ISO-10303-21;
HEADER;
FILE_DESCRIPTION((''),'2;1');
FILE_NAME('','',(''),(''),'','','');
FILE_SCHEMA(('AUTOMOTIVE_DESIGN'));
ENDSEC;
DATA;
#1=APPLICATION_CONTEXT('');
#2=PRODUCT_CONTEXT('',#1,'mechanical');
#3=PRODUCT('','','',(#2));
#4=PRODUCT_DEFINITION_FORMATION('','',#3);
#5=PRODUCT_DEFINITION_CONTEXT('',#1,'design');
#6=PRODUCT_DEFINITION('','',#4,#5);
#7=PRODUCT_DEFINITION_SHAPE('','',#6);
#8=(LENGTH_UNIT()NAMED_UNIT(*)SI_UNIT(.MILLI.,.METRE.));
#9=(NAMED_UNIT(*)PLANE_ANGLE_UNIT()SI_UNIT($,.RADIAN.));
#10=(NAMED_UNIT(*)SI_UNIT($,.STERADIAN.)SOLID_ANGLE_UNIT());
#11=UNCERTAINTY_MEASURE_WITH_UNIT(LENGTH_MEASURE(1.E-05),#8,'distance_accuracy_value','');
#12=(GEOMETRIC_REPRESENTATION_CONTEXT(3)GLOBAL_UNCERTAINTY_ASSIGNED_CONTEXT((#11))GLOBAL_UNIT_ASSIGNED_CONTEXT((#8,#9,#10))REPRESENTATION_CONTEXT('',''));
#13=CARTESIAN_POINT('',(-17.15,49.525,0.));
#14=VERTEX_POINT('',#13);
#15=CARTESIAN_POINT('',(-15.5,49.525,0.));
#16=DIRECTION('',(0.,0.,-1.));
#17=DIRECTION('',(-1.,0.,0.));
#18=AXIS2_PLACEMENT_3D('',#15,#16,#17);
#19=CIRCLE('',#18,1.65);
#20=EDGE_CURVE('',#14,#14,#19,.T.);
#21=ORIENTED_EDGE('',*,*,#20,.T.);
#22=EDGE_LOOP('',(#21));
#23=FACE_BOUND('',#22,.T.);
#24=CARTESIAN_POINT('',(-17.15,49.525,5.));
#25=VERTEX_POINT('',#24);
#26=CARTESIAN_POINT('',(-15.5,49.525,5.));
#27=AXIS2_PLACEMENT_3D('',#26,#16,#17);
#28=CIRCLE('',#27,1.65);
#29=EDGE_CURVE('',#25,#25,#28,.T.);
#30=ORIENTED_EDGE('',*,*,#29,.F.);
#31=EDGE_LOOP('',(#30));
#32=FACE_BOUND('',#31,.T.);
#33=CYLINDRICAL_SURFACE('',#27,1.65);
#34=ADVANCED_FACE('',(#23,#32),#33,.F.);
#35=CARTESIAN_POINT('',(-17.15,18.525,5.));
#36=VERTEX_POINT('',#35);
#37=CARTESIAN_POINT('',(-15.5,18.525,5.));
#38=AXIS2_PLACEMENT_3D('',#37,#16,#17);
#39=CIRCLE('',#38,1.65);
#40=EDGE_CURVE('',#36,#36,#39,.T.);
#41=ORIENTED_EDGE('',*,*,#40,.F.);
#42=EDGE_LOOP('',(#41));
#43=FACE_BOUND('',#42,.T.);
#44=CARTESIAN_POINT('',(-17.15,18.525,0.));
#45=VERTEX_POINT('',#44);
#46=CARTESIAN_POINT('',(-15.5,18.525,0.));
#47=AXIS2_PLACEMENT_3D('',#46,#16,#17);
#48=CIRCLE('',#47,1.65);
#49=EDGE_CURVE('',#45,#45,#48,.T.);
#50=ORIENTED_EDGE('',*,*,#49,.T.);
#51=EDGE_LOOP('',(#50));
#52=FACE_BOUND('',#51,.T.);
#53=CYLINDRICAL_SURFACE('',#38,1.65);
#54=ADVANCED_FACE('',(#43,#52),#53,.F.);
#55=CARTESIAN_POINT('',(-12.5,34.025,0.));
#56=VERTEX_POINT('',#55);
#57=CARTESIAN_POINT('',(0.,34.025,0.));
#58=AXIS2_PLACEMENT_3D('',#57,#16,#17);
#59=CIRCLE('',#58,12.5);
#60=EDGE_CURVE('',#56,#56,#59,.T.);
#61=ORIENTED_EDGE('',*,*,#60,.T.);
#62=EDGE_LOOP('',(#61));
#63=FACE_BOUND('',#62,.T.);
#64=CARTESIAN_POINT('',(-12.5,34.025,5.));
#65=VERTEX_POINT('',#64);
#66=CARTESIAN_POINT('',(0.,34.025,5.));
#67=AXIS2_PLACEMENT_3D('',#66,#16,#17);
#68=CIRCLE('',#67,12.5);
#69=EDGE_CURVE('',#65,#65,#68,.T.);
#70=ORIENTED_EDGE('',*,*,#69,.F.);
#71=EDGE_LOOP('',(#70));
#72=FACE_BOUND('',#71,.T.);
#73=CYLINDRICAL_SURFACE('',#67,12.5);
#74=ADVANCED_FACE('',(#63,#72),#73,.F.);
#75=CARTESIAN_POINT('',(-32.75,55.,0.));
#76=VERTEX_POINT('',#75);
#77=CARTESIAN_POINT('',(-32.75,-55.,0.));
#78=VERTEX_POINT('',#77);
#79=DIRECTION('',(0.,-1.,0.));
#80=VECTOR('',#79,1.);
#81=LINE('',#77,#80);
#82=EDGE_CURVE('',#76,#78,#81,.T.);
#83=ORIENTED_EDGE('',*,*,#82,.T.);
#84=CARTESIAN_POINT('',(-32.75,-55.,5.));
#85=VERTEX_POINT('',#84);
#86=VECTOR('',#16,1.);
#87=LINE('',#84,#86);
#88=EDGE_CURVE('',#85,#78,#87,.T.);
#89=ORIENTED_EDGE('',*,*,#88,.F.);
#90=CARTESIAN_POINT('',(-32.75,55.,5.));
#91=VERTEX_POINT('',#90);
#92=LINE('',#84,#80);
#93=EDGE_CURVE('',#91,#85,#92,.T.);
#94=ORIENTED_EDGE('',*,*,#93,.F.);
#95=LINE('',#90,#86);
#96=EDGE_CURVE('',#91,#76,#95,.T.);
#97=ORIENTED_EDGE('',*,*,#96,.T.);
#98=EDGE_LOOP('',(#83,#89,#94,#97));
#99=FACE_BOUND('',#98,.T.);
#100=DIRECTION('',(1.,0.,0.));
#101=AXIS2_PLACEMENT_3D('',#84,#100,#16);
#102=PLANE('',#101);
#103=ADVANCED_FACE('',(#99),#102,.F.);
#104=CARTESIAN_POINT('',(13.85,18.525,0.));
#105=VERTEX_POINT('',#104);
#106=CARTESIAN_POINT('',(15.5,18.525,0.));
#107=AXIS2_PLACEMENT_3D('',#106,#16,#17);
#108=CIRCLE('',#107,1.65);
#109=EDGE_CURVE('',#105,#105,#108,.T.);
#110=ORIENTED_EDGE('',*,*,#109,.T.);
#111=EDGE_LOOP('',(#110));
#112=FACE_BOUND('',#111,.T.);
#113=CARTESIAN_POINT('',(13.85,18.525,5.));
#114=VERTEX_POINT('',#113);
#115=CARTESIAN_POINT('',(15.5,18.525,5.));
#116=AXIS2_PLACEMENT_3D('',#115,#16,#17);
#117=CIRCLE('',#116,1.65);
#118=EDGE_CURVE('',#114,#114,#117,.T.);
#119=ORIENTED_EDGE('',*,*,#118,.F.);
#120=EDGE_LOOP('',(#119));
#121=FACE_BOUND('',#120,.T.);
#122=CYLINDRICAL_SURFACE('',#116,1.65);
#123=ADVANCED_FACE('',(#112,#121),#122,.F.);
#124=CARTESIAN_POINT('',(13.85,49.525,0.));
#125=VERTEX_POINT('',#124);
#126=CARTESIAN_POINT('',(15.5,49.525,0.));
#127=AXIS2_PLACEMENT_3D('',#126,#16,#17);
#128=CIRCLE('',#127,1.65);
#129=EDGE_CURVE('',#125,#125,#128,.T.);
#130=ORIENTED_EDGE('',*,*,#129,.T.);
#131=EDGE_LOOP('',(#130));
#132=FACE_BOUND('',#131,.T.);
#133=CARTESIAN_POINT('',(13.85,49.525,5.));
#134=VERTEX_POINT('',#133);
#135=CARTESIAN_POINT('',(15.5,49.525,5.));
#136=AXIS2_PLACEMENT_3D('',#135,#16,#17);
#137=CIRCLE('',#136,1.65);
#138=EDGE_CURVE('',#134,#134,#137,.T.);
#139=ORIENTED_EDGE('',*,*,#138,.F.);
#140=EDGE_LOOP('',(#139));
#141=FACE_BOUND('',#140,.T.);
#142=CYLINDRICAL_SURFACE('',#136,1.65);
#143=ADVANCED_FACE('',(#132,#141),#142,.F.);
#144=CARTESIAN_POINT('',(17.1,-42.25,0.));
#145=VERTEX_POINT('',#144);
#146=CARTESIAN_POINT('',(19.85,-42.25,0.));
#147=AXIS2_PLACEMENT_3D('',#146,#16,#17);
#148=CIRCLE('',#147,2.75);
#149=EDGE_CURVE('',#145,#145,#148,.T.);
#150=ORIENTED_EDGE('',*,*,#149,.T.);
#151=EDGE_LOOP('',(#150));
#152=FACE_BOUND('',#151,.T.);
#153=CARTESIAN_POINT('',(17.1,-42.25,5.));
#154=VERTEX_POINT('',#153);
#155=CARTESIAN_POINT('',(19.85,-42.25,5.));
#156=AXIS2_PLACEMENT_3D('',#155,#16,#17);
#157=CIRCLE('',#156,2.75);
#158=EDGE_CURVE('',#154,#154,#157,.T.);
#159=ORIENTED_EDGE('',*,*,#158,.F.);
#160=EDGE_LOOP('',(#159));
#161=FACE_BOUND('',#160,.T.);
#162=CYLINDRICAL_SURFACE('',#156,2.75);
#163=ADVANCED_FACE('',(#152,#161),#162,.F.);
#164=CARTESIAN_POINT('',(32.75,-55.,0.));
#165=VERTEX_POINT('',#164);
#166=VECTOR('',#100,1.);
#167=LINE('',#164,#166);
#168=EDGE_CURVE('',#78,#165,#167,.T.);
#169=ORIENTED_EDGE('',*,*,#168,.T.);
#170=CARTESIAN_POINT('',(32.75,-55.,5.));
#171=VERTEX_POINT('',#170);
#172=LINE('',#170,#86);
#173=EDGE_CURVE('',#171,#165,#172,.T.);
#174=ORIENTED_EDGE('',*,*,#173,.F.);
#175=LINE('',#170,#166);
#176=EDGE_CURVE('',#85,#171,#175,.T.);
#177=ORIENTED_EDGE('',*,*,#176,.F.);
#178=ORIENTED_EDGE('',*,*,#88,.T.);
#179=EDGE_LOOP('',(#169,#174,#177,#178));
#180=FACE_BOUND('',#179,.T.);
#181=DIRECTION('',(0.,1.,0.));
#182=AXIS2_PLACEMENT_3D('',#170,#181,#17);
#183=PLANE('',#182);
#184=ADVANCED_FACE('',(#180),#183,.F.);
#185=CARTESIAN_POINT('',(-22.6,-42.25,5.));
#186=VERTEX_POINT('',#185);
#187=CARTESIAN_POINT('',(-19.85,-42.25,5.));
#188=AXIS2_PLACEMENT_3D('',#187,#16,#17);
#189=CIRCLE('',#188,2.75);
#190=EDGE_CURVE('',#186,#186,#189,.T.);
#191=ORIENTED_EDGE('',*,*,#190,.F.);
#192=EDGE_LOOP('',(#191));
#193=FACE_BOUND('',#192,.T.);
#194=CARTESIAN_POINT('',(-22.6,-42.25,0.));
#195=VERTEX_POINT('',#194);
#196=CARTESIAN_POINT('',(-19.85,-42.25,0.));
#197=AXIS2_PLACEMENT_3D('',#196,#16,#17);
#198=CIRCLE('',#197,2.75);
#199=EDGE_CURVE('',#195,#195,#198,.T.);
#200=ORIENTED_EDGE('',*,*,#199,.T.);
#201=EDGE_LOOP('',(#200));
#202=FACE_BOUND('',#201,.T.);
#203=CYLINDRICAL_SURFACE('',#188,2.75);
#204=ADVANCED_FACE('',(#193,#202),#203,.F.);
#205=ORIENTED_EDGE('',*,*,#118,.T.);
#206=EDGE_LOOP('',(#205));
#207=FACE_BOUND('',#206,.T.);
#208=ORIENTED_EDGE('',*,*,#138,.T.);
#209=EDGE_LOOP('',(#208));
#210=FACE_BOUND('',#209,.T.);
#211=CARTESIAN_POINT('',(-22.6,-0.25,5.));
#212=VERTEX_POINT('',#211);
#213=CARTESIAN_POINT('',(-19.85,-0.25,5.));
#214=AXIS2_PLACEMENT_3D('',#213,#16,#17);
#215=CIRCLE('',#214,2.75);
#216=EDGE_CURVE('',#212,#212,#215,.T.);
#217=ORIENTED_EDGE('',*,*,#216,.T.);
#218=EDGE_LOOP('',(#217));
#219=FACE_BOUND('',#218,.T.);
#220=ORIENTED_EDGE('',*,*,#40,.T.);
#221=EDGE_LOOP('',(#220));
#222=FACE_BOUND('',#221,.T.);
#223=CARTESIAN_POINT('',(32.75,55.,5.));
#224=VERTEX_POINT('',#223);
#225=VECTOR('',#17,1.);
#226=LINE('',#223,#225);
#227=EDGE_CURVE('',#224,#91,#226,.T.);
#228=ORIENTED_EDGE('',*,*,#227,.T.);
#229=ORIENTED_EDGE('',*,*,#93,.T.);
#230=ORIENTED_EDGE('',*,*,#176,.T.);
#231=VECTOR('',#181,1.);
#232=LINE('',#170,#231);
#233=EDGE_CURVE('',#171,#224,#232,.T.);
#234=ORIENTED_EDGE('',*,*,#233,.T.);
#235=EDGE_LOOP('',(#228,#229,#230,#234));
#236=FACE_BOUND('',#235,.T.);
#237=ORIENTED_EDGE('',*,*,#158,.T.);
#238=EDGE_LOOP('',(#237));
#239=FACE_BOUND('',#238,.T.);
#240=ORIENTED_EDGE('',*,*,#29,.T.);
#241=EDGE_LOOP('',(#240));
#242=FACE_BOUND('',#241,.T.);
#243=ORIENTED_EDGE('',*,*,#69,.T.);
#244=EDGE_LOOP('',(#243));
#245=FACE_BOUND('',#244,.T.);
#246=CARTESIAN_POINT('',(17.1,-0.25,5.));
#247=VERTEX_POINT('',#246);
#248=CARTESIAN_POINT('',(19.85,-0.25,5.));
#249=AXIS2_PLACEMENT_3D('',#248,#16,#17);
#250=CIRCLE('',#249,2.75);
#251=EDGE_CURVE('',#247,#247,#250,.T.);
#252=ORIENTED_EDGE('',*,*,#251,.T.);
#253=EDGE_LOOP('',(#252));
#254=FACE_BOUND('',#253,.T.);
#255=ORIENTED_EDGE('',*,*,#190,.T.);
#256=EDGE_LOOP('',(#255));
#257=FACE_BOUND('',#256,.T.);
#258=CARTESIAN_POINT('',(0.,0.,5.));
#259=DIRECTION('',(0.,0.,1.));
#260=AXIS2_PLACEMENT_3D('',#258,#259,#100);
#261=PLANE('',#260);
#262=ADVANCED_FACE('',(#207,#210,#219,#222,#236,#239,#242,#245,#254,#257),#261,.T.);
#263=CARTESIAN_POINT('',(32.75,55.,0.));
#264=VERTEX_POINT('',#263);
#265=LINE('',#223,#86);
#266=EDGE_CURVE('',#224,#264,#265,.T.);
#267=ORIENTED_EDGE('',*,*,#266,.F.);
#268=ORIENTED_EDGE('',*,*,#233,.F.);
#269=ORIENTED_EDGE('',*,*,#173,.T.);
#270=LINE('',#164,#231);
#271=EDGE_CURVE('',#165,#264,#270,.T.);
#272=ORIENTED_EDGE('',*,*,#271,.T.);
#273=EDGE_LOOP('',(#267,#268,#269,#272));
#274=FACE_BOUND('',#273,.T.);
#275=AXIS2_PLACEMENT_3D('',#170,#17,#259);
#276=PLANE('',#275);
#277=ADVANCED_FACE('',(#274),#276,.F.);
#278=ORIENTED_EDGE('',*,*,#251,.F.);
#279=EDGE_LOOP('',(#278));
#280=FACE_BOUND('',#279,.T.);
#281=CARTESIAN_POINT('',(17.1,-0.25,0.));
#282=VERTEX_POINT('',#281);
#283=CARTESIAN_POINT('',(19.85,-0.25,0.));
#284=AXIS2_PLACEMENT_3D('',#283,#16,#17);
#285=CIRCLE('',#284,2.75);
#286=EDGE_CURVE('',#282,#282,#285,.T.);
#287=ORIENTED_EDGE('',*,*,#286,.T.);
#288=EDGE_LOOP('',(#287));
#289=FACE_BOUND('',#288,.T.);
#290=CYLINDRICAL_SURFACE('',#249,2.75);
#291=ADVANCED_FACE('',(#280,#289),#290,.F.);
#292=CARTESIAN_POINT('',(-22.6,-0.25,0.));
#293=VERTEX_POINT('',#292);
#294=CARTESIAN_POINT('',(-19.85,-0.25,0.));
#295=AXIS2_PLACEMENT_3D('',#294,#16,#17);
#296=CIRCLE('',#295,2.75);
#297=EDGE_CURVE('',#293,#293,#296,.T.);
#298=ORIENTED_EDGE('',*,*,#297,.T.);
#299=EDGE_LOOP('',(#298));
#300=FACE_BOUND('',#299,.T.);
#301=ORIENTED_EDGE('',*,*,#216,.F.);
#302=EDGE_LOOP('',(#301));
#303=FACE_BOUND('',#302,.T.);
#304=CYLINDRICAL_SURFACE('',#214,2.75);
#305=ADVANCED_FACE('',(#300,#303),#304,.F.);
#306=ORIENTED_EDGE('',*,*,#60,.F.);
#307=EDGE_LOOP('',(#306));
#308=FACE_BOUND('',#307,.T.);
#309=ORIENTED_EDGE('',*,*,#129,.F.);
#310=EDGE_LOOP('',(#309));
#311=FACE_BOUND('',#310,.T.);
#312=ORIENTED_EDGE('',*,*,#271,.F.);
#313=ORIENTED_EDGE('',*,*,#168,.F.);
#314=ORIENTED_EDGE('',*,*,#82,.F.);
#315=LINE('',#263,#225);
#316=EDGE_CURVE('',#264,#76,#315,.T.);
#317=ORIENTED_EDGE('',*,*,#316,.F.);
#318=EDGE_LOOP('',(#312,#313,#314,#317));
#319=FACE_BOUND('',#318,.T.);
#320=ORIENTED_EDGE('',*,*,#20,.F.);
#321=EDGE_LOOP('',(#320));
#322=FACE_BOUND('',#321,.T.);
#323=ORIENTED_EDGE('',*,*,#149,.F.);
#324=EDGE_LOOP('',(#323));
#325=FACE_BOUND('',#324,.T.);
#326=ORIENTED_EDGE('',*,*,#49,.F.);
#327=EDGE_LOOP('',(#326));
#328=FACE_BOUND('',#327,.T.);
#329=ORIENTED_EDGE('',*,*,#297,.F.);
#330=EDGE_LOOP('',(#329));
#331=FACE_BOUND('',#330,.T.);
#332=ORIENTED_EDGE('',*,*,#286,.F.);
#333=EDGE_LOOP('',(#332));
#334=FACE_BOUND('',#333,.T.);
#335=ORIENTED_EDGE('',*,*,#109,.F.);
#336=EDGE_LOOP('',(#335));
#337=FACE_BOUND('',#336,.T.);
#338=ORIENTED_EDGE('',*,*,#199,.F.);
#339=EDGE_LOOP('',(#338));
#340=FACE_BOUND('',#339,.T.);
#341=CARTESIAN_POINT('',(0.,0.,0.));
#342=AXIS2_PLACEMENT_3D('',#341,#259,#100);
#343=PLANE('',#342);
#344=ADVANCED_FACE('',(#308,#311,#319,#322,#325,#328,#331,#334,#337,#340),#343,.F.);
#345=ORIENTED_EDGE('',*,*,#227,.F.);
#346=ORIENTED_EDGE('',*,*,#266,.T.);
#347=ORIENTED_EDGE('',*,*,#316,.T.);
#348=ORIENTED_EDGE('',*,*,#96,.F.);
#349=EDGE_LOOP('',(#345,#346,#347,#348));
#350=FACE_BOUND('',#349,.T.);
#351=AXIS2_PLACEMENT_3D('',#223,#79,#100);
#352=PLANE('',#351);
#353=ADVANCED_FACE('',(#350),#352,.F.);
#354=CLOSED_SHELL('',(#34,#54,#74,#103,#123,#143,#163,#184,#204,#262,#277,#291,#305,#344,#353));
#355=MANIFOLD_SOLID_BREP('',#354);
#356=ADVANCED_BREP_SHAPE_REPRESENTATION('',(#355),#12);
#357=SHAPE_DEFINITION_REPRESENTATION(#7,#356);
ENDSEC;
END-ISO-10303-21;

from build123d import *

# Parameters (mm, degrees)
SKETCH1_W           = 65.5
SKETCH1_H           = 110
BOSS_EXTRUDE1_DEPTH = 5
SKETCH2_R           = 12.5
CUT_EXTRUDE1_DEPTH  = 65.207184177
SKETCH3_R           = 1.65
CUT_EXTRUDE2_DEPTH  = 65.207184177
SKETCH4_R           = 2.75
CUT_EXTRUDE3_DEPTH  = 65.207184177


with BuildPart() as part:
    # Sketch1 → Boss-Extrude1 (new body)
    with BuildSketch(Plane.XY):
        Rectangle(SKETCH1_W, SKETCH1_H)
    extrude(amount=BOSS_EXTRUDE1_DEPTH)

    # Sketch2 → Cut-Extrude1 (cut, through all)
    with BuildSketch(Plane(origin=(0, 0, 0), x_dir=(-1, 0, 0), z_dir=(0, 0, -1))):
        with Locations((0, 34.025)):
            Circle(SKETCH2_R)
    extrude(amount=-CUT_EXTRUDE1_DEPTH, mode=Mode.SUBTRACT)

    # Sketch3 → Cut-Extrude2 (cut, through all)
    with BuildSketch(Plane(origin=(0, 0, 0), x_dir=(-1, 0, 0), z_dir=(0, 0, -1))):
        with Locations((-15.5, 49.525)):
            Circle(SKETCH3_R)
        with Locations((-15.5, 18.525)):
            Circle(SKETCH3_R)
        with Locations((15.5, 18.525)):
            Circle(SKETCH3_R)
        with Locations((15.5, 49.525)):
            Circle(SKETCH3_R)
    extrude(amount=-CUT_EXTRUDE2_DEPTH, mode=Mode.SUBTRACT)

    # Sketch4 → Cut-Extrude3 (cut, through all)
    with BuildSketch(Plane(origin=(0, 0, 0), x_dir=(-1, 0, 0), z_dir=(0, 0, -1))):
        with Locations((-19.85, -0.25)):
            Circle(SKETCH4_R)
        with Locations((19.85, -0.25)):
            Circle(SKETCH4_R)
        with Locations((19.85, -42.25)):
            Circle(SKETCH4_R)
        with Locations((-19.85, -42.25)):
            Circle(SKETCH4_R)
    extrude(amount=-CUT_EXTRUDE3_DEPTH, mode=Mode.SUBTRACT)


solid = part.part
